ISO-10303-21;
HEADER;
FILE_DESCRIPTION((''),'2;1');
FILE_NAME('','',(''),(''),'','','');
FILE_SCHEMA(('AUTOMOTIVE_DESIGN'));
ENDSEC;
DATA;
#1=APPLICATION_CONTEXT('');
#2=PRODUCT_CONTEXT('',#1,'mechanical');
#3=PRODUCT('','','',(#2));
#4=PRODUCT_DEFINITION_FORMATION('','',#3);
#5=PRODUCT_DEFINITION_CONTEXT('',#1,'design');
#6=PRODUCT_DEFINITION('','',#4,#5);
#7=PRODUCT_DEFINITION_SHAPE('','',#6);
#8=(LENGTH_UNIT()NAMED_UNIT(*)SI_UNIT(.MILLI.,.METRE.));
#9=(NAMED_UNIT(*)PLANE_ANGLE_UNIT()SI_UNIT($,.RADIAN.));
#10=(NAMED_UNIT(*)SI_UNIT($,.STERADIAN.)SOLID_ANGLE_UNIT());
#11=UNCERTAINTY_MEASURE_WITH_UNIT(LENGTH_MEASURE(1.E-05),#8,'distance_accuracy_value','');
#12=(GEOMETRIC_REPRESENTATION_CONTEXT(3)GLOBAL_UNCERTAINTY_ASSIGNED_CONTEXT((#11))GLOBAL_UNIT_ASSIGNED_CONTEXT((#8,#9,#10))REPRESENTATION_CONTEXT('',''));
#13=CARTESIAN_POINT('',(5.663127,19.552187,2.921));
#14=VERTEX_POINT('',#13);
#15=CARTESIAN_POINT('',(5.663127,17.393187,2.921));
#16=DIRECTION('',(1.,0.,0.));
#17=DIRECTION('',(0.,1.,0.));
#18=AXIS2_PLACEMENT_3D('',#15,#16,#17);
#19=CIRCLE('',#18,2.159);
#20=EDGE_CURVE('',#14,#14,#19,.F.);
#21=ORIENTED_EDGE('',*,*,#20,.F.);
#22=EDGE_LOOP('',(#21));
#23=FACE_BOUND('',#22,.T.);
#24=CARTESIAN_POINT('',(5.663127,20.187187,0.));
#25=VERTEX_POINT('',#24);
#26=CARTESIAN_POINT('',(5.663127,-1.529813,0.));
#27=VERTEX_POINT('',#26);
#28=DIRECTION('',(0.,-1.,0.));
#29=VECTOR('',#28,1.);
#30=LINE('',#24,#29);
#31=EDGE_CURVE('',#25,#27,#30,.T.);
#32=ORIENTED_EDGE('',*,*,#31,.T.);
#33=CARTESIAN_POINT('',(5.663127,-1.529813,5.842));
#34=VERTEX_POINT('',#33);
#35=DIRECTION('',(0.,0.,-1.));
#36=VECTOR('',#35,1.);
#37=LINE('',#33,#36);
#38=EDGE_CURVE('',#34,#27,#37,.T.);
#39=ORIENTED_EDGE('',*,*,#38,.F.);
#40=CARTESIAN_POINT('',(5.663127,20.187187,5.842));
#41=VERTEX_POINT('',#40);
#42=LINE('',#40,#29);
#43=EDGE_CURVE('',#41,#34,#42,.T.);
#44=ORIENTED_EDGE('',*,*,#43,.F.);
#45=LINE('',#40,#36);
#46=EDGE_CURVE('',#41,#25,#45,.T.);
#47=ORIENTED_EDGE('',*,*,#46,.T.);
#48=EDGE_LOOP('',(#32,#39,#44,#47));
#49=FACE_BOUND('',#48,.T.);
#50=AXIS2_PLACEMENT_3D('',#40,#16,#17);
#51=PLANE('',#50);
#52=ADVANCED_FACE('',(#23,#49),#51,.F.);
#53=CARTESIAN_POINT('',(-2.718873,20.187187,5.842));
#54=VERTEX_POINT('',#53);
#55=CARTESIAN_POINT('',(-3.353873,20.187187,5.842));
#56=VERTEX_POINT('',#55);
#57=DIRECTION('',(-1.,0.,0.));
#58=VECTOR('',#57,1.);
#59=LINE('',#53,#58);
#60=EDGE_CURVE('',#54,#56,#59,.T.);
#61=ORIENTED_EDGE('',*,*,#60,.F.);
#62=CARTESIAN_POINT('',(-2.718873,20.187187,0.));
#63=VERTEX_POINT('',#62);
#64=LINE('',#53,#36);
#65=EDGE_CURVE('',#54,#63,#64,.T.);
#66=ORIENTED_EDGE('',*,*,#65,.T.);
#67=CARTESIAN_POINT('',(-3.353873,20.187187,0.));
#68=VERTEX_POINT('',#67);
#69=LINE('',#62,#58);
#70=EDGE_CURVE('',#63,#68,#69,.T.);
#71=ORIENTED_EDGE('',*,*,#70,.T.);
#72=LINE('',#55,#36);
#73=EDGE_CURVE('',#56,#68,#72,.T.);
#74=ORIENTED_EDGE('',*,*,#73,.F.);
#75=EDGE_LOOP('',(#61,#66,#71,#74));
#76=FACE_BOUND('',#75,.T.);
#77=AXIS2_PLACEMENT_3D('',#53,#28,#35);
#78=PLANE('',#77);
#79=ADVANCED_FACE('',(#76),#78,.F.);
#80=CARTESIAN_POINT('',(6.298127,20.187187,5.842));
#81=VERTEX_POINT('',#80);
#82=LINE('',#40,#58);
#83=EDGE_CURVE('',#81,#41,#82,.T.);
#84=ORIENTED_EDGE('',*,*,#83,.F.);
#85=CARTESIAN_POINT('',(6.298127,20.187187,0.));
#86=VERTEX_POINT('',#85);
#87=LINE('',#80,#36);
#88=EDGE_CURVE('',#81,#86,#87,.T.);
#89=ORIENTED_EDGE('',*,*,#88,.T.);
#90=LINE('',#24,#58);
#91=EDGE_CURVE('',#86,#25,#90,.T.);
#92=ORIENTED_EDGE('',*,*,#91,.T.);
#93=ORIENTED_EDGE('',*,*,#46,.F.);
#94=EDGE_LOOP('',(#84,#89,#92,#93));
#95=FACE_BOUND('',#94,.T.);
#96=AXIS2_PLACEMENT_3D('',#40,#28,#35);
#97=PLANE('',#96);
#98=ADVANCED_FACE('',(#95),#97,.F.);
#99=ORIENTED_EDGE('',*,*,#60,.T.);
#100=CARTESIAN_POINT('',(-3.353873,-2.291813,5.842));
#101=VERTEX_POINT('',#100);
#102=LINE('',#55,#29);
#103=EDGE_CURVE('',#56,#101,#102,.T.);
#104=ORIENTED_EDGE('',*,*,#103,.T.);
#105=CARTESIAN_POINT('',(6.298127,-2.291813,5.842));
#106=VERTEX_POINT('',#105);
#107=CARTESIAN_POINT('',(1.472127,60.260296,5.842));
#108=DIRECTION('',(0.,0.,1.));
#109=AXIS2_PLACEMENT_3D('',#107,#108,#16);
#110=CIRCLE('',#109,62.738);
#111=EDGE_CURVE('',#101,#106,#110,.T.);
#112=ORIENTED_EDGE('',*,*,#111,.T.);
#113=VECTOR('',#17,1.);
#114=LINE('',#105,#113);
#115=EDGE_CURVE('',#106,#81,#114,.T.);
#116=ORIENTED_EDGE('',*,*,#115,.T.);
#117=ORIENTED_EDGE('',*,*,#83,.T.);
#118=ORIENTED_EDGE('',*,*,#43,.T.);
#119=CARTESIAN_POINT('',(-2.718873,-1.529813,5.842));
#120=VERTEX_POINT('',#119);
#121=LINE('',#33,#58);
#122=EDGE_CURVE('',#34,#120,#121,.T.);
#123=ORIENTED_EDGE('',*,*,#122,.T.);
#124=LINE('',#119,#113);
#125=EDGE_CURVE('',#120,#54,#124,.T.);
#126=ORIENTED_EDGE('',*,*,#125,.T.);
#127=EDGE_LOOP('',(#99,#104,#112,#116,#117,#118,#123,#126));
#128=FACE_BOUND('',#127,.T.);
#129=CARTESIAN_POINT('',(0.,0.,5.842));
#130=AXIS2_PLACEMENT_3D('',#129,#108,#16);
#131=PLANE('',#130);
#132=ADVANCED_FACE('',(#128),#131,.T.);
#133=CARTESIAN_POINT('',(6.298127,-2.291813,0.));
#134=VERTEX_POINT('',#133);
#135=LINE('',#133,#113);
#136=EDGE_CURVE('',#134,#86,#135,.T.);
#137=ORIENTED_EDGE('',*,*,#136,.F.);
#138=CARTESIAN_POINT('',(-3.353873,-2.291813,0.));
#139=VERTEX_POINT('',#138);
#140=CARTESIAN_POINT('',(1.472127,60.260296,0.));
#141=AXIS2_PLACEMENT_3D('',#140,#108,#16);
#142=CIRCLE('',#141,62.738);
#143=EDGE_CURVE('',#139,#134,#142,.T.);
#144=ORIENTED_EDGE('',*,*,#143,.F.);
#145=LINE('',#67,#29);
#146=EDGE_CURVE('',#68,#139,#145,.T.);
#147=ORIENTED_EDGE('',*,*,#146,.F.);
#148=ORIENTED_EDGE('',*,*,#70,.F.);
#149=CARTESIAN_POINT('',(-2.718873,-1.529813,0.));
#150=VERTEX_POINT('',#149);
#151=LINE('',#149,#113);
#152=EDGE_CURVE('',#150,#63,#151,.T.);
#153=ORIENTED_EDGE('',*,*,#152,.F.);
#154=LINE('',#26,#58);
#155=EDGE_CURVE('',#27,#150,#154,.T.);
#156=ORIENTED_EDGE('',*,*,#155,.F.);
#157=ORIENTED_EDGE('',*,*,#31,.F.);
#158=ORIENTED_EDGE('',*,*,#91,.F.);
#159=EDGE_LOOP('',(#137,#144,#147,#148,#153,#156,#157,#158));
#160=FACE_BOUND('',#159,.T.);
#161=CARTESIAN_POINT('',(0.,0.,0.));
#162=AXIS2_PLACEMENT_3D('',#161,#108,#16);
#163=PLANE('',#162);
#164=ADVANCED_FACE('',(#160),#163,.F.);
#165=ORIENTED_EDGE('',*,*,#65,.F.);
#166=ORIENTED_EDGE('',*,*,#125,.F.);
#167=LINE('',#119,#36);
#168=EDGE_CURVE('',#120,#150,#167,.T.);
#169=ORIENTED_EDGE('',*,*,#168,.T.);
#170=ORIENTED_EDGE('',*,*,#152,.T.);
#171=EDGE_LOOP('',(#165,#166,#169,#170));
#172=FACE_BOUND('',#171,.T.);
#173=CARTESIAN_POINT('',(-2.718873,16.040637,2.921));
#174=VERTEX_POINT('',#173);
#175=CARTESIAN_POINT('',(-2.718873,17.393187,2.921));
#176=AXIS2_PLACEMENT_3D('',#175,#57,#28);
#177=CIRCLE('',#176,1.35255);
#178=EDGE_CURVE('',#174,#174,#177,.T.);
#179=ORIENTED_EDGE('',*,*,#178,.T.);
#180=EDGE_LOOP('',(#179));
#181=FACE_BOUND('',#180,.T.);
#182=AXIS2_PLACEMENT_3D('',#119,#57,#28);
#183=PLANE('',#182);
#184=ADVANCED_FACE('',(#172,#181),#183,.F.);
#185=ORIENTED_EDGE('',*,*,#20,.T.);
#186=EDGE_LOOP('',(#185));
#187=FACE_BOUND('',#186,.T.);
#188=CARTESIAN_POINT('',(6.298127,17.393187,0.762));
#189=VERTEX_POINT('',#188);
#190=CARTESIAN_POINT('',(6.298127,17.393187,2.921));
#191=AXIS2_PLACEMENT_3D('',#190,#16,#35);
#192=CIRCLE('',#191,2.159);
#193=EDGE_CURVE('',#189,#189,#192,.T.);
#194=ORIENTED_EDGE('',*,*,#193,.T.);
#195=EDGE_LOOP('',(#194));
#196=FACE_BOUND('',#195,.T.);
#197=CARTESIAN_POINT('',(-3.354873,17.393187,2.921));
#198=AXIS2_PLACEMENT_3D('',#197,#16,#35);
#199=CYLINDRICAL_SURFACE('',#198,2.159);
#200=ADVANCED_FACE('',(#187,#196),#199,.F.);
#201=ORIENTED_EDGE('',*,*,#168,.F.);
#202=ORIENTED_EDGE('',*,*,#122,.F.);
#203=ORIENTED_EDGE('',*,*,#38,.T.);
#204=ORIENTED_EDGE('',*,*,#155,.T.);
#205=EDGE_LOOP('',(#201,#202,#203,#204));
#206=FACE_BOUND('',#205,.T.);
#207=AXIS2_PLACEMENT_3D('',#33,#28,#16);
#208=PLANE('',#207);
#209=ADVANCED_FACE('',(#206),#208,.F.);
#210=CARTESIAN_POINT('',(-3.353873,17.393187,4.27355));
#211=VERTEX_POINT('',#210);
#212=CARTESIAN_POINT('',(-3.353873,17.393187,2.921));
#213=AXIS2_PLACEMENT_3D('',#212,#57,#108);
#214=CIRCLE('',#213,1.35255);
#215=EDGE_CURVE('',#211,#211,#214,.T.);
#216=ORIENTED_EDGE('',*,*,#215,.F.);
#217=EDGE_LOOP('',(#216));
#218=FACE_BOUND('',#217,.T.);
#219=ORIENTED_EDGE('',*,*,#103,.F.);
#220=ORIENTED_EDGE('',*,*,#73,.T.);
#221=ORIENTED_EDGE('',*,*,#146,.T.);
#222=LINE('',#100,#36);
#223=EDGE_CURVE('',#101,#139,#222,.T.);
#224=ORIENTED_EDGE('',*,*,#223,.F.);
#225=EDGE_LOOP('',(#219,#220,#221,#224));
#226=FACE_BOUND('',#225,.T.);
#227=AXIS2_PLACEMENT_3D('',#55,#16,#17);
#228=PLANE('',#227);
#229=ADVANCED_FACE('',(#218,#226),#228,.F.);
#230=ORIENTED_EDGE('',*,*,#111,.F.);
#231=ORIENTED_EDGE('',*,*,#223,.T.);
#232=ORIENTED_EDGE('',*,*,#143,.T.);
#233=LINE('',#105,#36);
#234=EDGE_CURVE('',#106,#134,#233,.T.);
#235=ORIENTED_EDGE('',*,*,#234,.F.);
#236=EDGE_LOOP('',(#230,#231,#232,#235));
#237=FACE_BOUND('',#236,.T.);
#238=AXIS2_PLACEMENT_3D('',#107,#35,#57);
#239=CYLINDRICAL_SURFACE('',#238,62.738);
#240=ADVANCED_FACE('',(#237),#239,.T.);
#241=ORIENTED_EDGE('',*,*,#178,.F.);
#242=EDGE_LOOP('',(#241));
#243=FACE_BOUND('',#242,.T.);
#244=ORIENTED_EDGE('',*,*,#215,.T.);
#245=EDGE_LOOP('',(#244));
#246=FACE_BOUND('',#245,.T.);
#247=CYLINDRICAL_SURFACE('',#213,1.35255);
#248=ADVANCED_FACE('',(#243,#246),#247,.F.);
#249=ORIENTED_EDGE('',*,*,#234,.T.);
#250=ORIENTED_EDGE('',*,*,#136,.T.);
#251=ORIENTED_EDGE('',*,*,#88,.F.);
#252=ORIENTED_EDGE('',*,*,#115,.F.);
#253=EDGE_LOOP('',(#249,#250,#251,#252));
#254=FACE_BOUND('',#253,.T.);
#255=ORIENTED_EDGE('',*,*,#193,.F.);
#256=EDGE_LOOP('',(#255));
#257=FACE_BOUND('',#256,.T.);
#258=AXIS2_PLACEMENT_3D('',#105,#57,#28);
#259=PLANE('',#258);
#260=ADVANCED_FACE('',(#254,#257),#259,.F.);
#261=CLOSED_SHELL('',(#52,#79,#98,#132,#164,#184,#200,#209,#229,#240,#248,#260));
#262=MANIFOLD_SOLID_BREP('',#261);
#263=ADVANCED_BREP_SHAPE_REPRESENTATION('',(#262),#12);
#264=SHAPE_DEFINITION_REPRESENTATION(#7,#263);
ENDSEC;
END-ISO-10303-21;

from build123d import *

# Parameters (mm, degrees)
BOSS_EXTRUDE1_DEPTH       = 5.842
F_6_32_TAPPED_HOLE1_D     = 2.7051
F_6_32_TAPPED_HOLE1_DEPTH = 0.635
CUT_EXTRUDE1_REACH        = 11.652
SKETCH6_R                 = 2.159
BOSS_EXTRUDE2_DEPTH       = 5.842


with BuildPart() as part:
    # Sketch1 → Boss-Extrude1 (new body)
    with BuildSketch(Plane.XY):
        Polygon((-3.353873239, 20.18718662), (-3.353873239, -2.29181338), (6.298126761, -2.29181338), (6.298126761, 20.18718662), (5.663126761, 20.18718662), (5.663126761, -1.52981338), (-2.718873239, -1.52981338), (-2.718873239, 20.18718662), align=None)
    extrude(amount=BOSS_EXTRUDE1_DEPTH)

    # #6-32 Tapped Hole1
    with Locations(Plane.ZY.offset(3.353873239)):
        with Locations((2.921, 17.39318662)):
            Hole(F_6_32_TAPPED_HOLE1_D / 2, depth=F_6_32_TAPPED_HOLE1_DEPTH)

    # Sketch6 → Cut-Extrude1 (cut, up to next)
    with BuildSketch(Plane(origin=(6.298126761, 0, 0), x_dir=(0, 0, -1), z_dir=(1, 0, 0)), mode=Mode.PRIVATE) as cut_extrude1_sk1:
        with Locations((-2.921, 17.39318662)):
            Circle(SKETCH6_R)
    cut_extrude1_tool1 = extrude(cut_extrude1_sk1.sketch, amount=-CUT_EXTRUDE1_REACH, mode=Mode.PRIVATE) & part.part
    add(cut_extrude1_tool1.solids().sort_by_distance((6.298127, 17.393187, 2.921))[0], mode=Mode.SUBTRACT)

    # Sketch15 → Boss-Extrude2 (add, through all)
    with BuildSketch(Plane.XY):
        with BuildLine():
            Line((6.298126761, -2.29181338), (-3.353873239, -2.29181338))
            ThreePointArc((-3.353873239, -2.29181338), (1.472126761, -2.477704159), (6.298126761, -2.29181338))
        make_face()
    extrude(amount=BOSS_EXTRUDE2_DEPTH)


solid = part.part
